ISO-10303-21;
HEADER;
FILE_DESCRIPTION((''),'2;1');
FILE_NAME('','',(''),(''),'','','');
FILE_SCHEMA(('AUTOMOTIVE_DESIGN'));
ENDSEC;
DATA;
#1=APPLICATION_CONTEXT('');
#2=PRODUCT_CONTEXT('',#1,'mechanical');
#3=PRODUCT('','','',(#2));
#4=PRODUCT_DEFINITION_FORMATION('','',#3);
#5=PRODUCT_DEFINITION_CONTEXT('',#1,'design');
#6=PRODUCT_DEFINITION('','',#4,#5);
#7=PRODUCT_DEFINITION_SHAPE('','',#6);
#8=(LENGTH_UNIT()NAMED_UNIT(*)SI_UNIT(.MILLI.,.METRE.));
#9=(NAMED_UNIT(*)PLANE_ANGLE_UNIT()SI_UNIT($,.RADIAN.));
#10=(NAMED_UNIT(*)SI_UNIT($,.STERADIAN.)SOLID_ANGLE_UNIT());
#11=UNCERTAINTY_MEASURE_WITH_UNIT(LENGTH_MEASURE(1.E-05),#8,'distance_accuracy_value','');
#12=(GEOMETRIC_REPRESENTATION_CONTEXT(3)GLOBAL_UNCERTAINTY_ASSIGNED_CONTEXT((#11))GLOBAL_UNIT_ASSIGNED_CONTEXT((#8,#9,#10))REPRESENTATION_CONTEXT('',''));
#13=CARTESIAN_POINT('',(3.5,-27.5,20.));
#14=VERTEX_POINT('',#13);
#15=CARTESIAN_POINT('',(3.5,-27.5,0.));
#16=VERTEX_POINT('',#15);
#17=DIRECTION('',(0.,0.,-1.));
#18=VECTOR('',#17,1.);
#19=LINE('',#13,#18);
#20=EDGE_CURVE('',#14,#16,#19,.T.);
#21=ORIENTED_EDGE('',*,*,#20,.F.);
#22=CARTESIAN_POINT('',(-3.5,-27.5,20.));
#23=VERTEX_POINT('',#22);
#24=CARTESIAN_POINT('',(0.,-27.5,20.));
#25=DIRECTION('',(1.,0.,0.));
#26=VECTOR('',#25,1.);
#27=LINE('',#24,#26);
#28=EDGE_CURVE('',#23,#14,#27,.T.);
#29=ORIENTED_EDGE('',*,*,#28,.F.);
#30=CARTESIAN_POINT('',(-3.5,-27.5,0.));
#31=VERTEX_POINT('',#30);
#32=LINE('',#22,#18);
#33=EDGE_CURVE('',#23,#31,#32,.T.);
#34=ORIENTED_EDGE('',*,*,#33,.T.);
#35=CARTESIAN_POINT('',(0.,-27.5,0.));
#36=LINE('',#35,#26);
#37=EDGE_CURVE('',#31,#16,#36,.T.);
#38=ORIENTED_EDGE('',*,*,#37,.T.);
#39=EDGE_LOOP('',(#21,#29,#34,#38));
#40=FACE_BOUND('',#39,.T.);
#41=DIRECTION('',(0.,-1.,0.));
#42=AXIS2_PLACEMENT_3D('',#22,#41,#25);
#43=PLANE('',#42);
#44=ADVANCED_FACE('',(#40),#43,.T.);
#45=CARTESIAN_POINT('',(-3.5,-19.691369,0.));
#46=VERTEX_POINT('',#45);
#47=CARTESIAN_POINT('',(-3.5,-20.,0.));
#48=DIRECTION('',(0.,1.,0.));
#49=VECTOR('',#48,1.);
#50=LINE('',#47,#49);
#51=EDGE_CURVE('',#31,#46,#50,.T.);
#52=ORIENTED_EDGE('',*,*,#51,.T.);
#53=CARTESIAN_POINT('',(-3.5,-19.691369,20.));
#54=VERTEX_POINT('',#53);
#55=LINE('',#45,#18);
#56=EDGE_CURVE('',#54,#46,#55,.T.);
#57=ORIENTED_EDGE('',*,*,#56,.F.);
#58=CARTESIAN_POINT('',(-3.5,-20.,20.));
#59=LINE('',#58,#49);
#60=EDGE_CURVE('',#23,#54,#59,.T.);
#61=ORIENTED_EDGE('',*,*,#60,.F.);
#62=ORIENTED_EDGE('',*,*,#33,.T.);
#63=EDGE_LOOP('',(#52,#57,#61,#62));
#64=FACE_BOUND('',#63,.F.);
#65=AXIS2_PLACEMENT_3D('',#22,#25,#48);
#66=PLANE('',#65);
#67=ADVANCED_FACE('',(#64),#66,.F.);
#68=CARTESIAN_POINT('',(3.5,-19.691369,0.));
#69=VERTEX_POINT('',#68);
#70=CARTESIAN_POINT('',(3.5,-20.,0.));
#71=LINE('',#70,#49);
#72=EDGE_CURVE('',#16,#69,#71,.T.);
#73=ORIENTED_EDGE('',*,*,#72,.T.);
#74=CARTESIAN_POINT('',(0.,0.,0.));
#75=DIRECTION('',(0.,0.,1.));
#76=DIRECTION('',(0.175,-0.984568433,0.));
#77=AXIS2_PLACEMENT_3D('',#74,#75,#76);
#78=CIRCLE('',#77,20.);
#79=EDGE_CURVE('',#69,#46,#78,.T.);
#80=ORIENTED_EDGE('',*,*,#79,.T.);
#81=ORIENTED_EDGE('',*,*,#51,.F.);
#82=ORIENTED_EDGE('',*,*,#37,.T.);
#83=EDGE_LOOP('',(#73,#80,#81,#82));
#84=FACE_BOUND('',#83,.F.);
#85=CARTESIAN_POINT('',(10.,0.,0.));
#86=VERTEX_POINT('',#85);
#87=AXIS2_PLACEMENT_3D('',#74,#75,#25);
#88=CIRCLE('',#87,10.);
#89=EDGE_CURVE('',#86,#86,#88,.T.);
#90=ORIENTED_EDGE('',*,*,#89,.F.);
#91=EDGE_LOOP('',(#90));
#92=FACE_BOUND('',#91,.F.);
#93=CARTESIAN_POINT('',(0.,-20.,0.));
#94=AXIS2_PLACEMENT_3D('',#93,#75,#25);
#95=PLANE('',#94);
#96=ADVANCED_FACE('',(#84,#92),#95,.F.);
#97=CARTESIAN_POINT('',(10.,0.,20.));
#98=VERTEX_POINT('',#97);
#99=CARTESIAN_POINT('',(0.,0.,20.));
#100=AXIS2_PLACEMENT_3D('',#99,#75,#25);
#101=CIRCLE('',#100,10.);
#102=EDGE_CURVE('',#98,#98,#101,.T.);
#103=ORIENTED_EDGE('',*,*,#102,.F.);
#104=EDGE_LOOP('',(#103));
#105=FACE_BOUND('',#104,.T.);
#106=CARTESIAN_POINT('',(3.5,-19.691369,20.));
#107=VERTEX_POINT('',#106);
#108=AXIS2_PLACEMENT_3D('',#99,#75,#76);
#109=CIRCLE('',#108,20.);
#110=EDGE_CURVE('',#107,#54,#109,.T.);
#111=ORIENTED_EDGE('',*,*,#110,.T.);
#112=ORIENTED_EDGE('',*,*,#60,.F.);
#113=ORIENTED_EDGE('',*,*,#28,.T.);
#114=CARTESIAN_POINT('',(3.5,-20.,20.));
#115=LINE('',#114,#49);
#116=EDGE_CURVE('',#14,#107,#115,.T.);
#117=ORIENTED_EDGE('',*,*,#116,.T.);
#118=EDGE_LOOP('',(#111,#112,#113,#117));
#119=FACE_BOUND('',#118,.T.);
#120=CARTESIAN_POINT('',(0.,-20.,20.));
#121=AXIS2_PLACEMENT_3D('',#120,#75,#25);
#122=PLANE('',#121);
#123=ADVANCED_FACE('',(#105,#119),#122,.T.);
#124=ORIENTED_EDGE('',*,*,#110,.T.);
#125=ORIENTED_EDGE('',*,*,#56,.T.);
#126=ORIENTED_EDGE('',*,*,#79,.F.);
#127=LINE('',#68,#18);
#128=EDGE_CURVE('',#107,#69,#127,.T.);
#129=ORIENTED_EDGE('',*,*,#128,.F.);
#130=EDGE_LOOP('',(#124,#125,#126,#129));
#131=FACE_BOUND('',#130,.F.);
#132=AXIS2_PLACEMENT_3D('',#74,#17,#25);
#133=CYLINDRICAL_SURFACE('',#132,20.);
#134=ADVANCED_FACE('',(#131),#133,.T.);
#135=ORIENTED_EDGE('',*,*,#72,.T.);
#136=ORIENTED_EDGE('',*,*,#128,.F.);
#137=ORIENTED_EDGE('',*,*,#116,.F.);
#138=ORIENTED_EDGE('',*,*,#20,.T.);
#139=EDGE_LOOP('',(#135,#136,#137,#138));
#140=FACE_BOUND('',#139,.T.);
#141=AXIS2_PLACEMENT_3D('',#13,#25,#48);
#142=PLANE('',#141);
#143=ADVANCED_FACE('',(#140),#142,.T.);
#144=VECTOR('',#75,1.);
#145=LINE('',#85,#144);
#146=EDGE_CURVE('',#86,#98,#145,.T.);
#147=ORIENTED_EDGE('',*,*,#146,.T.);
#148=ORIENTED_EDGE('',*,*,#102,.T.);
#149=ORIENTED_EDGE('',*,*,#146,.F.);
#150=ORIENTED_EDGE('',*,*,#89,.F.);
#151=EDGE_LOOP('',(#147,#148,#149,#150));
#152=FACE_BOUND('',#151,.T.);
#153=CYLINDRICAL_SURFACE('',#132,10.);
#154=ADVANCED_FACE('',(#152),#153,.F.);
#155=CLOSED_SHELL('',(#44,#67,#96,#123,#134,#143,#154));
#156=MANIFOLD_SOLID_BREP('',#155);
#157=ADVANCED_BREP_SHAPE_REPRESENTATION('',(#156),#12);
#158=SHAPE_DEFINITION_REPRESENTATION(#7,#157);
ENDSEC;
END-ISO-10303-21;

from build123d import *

# Parameters (mm, degrees)
F0_R     = 20
F0_R_2   = 10
F1_DEPTH = 20
F2_W     = 7
F2_H     = 15
F3_DEPTH = 20


with BuildPart() as f1:
    # F0 (on Top) → F1 (new body)
    with BuildSketch(Plane.XY):
        Circle(F0_R)
        Circle(F0_R_2, mode=Mode.SUBTRACT)
    extrude(amount=F1_DEPTH)

    # F2 (on face) → F3 (join)
    with BuildSketch(Plane.XY.offset(20)):
        with Locations((0, -20)):
            Rectangle(F2_W, F2_H)
    extrude(amount=-F3_DEPTH)


solid = f1.part
